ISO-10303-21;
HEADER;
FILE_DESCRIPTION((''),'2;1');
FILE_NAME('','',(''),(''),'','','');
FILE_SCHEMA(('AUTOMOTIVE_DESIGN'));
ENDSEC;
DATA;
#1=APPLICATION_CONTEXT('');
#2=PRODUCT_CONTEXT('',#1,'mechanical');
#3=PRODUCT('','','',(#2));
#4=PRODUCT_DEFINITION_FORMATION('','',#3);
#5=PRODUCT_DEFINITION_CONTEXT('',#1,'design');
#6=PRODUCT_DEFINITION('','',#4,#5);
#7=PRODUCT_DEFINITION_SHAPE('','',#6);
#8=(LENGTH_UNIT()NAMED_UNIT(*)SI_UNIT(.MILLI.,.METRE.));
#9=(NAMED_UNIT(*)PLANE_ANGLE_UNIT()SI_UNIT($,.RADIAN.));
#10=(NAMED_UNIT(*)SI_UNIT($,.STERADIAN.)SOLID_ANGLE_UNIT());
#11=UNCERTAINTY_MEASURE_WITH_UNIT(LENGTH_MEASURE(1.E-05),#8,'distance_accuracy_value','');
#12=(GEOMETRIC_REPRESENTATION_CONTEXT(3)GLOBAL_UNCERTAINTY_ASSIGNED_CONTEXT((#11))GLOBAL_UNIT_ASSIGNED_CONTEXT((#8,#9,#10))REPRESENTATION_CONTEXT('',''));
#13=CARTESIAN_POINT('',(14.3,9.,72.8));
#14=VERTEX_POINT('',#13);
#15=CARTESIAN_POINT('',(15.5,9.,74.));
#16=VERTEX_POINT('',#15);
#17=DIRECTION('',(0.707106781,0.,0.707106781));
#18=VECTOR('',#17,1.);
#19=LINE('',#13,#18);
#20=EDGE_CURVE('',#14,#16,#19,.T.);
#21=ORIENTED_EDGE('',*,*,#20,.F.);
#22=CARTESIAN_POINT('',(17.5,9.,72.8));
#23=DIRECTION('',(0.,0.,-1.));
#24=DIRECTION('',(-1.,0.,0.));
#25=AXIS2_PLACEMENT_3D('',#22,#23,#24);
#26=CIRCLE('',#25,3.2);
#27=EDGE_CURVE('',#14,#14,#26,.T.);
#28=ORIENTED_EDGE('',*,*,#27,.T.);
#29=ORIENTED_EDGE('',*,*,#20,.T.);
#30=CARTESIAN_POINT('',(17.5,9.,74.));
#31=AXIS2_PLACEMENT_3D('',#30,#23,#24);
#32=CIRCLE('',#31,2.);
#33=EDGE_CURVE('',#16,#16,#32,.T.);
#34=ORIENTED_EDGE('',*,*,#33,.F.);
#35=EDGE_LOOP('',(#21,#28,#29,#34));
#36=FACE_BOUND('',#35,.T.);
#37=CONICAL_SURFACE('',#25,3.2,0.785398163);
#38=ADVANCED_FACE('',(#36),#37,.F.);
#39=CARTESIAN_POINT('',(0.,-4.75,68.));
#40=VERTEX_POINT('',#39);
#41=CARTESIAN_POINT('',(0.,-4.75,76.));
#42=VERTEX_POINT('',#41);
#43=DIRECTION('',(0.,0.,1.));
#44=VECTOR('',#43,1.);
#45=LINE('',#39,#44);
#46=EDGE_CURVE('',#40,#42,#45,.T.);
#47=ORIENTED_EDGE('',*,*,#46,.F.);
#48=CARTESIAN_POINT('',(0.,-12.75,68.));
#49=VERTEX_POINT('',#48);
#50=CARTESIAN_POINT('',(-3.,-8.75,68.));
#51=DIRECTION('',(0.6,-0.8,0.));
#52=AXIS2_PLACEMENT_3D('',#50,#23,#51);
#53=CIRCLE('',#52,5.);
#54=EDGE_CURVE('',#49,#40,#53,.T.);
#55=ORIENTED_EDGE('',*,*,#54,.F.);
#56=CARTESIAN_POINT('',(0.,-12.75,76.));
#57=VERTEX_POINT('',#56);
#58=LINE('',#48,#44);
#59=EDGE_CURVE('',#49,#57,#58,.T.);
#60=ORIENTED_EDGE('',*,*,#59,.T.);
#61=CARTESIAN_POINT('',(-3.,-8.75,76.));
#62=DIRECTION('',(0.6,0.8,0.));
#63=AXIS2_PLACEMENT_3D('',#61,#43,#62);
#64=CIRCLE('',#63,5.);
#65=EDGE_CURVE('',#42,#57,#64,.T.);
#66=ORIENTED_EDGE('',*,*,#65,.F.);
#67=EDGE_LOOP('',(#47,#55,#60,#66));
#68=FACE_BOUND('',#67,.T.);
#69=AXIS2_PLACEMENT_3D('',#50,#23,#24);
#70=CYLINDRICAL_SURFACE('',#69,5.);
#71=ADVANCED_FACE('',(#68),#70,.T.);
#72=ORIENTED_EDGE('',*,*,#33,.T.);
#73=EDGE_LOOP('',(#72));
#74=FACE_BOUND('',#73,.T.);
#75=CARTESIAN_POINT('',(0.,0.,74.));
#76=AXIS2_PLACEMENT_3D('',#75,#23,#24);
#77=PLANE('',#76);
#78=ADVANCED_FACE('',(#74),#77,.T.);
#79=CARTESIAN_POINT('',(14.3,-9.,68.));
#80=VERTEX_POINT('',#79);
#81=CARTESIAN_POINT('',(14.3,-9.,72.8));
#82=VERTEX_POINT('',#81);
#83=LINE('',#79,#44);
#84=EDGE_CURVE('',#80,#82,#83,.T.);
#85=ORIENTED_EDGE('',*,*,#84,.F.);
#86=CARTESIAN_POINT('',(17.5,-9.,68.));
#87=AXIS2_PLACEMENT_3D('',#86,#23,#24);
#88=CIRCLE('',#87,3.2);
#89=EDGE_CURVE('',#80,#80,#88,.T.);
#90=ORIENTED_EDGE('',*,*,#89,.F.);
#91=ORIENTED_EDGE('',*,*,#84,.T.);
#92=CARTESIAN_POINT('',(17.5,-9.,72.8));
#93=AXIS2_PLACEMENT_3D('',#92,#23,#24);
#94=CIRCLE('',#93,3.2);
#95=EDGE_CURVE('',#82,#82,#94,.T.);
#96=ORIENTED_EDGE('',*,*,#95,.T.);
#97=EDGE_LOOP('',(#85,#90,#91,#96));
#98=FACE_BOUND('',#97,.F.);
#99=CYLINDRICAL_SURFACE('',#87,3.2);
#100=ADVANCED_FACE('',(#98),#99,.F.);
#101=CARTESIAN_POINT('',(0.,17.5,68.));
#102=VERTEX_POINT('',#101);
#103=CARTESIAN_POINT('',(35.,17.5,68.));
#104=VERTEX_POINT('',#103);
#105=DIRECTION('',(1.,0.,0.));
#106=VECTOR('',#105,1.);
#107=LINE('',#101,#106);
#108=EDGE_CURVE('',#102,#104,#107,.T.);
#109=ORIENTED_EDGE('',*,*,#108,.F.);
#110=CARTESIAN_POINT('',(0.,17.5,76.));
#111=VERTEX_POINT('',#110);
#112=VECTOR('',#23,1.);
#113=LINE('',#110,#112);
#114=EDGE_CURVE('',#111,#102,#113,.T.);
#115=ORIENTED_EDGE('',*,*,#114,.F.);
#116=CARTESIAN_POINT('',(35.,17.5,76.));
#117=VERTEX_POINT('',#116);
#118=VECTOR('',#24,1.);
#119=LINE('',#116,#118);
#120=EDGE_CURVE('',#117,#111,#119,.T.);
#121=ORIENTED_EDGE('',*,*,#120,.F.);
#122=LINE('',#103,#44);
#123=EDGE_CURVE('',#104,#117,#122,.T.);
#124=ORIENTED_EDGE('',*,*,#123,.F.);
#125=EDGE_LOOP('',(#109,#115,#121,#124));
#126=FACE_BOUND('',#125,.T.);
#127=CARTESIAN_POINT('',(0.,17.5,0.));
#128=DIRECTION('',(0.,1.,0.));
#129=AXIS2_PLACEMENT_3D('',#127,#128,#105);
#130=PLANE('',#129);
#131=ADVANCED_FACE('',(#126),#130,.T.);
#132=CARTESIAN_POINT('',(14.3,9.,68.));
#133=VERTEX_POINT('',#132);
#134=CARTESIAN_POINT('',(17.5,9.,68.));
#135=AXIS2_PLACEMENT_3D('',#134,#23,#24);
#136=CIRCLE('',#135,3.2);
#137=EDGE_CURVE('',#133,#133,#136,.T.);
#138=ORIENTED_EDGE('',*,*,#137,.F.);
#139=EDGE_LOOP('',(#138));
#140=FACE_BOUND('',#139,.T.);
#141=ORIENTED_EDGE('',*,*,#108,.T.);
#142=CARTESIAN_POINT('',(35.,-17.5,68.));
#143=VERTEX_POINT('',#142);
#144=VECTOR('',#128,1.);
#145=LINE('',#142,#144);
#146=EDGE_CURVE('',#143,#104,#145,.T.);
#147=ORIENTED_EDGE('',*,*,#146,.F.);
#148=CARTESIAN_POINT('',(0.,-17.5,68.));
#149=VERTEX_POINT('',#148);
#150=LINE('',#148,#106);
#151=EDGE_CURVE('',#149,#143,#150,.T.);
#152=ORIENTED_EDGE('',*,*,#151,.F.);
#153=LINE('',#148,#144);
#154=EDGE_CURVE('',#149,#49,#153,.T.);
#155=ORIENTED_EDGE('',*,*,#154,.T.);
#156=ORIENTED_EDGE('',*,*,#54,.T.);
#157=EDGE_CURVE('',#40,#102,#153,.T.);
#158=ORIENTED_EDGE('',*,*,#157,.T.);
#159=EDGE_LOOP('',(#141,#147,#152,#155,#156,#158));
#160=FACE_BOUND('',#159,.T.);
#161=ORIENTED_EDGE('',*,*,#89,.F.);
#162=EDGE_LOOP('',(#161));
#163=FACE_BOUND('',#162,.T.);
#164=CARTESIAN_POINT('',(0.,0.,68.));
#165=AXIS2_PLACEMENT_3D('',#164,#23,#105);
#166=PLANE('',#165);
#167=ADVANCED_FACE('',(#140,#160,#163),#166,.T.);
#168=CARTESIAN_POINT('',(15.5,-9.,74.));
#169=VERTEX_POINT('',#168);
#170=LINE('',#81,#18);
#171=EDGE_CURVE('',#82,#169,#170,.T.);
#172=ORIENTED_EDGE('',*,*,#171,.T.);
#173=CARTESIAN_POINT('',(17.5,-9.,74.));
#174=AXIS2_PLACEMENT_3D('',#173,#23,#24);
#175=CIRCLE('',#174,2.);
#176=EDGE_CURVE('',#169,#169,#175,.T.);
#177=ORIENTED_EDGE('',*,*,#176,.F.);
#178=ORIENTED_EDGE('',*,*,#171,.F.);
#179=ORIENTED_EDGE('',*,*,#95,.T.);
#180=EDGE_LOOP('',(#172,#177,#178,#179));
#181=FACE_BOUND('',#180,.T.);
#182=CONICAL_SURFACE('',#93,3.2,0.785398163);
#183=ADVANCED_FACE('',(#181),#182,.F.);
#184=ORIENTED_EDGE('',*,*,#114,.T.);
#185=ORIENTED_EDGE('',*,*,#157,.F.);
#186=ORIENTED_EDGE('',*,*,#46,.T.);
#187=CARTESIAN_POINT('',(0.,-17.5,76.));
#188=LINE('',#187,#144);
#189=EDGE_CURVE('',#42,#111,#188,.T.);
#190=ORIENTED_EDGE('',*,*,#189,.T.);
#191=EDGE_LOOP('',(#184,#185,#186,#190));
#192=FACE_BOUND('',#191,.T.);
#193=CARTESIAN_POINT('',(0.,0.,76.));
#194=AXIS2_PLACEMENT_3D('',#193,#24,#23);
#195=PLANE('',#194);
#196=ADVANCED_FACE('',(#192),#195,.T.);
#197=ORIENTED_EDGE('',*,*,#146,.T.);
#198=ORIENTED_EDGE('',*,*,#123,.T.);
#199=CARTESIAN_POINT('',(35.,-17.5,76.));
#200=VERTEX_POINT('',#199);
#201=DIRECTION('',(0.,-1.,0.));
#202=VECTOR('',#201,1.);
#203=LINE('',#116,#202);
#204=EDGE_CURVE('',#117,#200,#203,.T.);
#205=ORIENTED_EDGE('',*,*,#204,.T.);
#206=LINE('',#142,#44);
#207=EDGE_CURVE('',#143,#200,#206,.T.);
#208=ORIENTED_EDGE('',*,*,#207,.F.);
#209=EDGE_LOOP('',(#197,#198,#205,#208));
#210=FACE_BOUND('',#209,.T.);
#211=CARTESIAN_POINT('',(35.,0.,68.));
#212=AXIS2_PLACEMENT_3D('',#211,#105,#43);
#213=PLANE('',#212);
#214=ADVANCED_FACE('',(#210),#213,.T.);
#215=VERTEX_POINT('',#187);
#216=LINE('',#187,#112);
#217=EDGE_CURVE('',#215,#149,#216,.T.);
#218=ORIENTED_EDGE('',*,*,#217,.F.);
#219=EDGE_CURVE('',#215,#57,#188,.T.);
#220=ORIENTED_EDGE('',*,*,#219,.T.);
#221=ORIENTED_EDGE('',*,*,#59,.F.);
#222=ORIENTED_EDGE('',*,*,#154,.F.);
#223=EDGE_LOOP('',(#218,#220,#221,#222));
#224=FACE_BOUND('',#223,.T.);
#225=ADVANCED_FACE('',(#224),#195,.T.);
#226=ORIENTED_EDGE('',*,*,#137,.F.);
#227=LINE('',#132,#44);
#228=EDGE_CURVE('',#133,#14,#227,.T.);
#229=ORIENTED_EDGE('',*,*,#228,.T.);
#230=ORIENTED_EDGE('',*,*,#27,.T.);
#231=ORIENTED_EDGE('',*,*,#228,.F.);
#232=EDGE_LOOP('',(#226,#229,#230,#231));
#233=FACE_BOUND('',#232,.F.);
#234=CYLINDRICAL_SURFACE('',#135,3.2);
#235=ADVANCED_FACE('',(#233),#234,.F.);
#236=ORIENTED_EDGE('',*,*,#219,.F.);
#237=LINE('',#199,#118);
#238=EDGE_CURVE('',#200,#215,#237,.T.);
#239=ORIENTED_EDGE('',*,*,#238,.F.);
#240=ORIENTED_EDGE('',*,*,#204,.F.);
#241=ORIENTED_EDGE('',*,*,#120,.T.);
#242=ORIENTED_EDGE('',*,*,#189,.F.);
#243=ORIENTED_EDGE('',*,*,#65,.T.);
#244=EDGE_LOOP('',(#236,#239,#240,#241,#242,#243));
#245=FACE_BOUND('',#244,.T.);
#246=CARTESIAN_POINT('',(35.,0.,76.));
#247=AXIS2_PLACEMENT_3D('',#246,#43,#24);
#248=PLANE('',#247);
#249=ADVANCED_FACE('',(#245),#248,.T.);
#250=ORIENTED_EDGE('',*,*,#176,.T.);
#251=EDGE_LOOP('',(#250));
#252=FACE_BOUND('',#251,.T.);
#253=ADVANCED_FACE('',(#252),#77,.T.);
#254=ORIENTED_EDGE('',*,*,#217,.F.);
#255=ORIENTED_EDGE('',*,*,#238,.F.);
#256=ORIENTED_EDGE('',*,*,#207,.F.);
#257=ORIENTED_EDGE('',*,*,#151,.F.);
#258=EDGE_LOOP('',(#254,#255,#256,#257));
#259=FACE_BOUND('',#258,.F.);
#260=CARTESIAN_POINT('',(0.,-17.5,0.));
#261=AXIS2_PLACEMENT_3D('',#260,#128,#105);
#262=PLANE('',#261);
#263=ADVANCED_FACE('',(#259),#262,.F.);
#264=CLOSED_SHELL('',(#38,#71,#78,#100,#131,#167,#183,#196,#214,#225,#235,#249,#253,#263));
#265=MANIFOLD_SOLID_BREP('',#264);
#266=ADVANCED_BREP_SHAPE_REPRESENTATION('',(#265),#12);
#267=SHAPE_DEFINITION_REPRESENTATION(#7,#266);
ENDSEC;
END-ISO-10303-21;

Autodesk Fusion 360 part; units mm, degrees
sketch "Platform" plane through (0, 0, 0) normal (0, 1, 0) x (1, 0, 0)
  line L0 (35, -68) -> (35, -60)
  line L1 (0, -76) -> (0, -68)
  line L2 (0, -68) -> (35, -68)
  line L3 (35, -60) -> (0, -60)
  line L4 (35, -76) -> (0, -76)
  line L5 (0, -60) -> (0, -68)
  line L6 (35, -68) -> (35, -76)
  line L7 (0, -68) -> (35, -68)
  dimension "d1" = 8
  dimension "d2" = 35
  dimension "d3" = 60
  dimension "d4" = 8
extrude "Extrude1" add sketch "Platform" along normal mid plane 35 contours L1 L2 L4 L6 L7
sketch "Puzzle" plane through (0, 0, 68) normal (0, 0, -1) x (-1, 0, 0)
  line L0 (0, -17.5) -> (0, 17.5)
  line L1 (0, 17.5) -> (-35, 17.5)
  line L2 (-35, 17.5) -> (-35, -17.5)
  line L3 (-35, -17.5) -> (0, -17.5)
  circle A0 centre (-3, 8.75) radius 5.2
  line L4 (0, -17.5) -> (-35, 0) construction
  line L5 (-17.5, -17.5) -> (-17.5, 0) construction
  line L6 (0, -17.5) -> (0, 17.5)
  circle A1 centre (3, 8.75) radius 5 construction
  line L7 (-32, -13.95) -> (-32, -3.55) construction
  circle A2 centre (-32, -8.75) radius 5.2
  circle A3 centre (-32, 8.75) radius 5.2 construction
  circle A4 centre (-32, -8.75) radius 5 construction
  line L8 (0, 0) -> (-35, 0) construction
  line L9 (0, 0) -> (-35, -17.5) construction
  circle A5 centre (-38, 8.75) radius 5
  line L10 (0, 17.5) -> (-35, 17.5)
  circle A6 centre (3, -8.75) radius 5
  line L11 (3, -13.75) -> (3, -3.75) construction
  line L12 (-35, -17.5) -> (0, -17.5)
  line L13 (-35, 17.5) -> (-35, -17.5)
  point P0 (-17.5, -8.75)
  dimension "d11" = 10
  dimension "d12" = 3
  dimension "d13" = 3
  dimension "d14" = 0.2
sketch "Adapter" plane through (0, 0, 68) normal (0, 0, -1) x (-1, 0, 0)
  line L0 (-35, 17.5) -> (-35, -17.5)
  line L1 (-35, -17.5) -> (0, -17.5)
  line L2 (0, -17.5) -> (0, 17.5)
  line L3 (0, 17.5) -> (-35, 17.5)
  circle A0 centre (-17.5, -9) radius 3
  circle A1 centre (-17.5, 9) radius 3
  line L4 (0, -6) -> (-35, -6) construction
  circle A2 centre (-17.5, 9) radius 3.2
  line L5 (0, 0) -> (-35, 0) construction
  circle A3 centre (-17.5, -9) radius 3.2
  line L6 (-35, -17.5) -> (0, 0) construction
  line L7 (0, -17.5) -> (-35, 0) construction
  line L8 (-17.5, -8.75) -> (-17.5, 0) construction
  point P0 (-17.5, 0)
  dimension "d26" = 6
  dimension "d27" = 0.2
  dimension "d28" = 6
extrude "Extrude6" cut sketch "Adapter" against normal blind 6 contours A0 | A1 | A2 | A3
chamfer "Chamfer1" distance 1.2 angle 45 2 edges at (20.4834, 10.1572, 74) (20.4834, -7.8428, 74)
extrude "PuzzleHoleLeft" cut sketch "Puzzle" against normal up to surface (8 mm away) contours L0 A0 L6 picked at (0.9006, 8.8366)
extrude "PuzzleHoleRight" [suppressed]
extrude "PuzzleStumpLeft" add sketch "Puzzle" against normal up to surface (8 mm away) contours L0 L6 A6 picked at (2.5946, -9.2349)
extrude "PuzzleStumpRight" [suppressed]
equation "d1 = PlatformHeight"
equation "d2 = LetterWidth"
equation "d3 = AdapterOffset"
equation "d4 = AdapterHeight"
equation "AdapterOffset = 60 mm"
equation "AdapterHeight = 8 mm"
equation "PlatformHeight = 8 mm"
equation "LetterWidth = 35 mm"
equation "d9 = LetterWidth"
equation "d11 = PuzzleRadius"
equation "d12 = PuzzleOffset"
equation "d13 = PuzzleOffset"
equation "d14 = Gap"
equation "PuzzleOffset = 3 mm"
equation "PuzzleRadius = 10 mm"
equation "Gap = 0.2 mm"
equation "d26 = AdapterHoleRadius"
equation "d27 = Gap"
equation "d28 = AdapterHoleSpread"
equation "AdapterHoleSpread = 6 mm"
equation "AdapterHoleRadius = 6 mm"
equation "AdapterHoleDepth = 6 mm"
equation "AdapterHoleBevel = 1.2 mm"
equation "d35 = AdapterHoleBevel"
